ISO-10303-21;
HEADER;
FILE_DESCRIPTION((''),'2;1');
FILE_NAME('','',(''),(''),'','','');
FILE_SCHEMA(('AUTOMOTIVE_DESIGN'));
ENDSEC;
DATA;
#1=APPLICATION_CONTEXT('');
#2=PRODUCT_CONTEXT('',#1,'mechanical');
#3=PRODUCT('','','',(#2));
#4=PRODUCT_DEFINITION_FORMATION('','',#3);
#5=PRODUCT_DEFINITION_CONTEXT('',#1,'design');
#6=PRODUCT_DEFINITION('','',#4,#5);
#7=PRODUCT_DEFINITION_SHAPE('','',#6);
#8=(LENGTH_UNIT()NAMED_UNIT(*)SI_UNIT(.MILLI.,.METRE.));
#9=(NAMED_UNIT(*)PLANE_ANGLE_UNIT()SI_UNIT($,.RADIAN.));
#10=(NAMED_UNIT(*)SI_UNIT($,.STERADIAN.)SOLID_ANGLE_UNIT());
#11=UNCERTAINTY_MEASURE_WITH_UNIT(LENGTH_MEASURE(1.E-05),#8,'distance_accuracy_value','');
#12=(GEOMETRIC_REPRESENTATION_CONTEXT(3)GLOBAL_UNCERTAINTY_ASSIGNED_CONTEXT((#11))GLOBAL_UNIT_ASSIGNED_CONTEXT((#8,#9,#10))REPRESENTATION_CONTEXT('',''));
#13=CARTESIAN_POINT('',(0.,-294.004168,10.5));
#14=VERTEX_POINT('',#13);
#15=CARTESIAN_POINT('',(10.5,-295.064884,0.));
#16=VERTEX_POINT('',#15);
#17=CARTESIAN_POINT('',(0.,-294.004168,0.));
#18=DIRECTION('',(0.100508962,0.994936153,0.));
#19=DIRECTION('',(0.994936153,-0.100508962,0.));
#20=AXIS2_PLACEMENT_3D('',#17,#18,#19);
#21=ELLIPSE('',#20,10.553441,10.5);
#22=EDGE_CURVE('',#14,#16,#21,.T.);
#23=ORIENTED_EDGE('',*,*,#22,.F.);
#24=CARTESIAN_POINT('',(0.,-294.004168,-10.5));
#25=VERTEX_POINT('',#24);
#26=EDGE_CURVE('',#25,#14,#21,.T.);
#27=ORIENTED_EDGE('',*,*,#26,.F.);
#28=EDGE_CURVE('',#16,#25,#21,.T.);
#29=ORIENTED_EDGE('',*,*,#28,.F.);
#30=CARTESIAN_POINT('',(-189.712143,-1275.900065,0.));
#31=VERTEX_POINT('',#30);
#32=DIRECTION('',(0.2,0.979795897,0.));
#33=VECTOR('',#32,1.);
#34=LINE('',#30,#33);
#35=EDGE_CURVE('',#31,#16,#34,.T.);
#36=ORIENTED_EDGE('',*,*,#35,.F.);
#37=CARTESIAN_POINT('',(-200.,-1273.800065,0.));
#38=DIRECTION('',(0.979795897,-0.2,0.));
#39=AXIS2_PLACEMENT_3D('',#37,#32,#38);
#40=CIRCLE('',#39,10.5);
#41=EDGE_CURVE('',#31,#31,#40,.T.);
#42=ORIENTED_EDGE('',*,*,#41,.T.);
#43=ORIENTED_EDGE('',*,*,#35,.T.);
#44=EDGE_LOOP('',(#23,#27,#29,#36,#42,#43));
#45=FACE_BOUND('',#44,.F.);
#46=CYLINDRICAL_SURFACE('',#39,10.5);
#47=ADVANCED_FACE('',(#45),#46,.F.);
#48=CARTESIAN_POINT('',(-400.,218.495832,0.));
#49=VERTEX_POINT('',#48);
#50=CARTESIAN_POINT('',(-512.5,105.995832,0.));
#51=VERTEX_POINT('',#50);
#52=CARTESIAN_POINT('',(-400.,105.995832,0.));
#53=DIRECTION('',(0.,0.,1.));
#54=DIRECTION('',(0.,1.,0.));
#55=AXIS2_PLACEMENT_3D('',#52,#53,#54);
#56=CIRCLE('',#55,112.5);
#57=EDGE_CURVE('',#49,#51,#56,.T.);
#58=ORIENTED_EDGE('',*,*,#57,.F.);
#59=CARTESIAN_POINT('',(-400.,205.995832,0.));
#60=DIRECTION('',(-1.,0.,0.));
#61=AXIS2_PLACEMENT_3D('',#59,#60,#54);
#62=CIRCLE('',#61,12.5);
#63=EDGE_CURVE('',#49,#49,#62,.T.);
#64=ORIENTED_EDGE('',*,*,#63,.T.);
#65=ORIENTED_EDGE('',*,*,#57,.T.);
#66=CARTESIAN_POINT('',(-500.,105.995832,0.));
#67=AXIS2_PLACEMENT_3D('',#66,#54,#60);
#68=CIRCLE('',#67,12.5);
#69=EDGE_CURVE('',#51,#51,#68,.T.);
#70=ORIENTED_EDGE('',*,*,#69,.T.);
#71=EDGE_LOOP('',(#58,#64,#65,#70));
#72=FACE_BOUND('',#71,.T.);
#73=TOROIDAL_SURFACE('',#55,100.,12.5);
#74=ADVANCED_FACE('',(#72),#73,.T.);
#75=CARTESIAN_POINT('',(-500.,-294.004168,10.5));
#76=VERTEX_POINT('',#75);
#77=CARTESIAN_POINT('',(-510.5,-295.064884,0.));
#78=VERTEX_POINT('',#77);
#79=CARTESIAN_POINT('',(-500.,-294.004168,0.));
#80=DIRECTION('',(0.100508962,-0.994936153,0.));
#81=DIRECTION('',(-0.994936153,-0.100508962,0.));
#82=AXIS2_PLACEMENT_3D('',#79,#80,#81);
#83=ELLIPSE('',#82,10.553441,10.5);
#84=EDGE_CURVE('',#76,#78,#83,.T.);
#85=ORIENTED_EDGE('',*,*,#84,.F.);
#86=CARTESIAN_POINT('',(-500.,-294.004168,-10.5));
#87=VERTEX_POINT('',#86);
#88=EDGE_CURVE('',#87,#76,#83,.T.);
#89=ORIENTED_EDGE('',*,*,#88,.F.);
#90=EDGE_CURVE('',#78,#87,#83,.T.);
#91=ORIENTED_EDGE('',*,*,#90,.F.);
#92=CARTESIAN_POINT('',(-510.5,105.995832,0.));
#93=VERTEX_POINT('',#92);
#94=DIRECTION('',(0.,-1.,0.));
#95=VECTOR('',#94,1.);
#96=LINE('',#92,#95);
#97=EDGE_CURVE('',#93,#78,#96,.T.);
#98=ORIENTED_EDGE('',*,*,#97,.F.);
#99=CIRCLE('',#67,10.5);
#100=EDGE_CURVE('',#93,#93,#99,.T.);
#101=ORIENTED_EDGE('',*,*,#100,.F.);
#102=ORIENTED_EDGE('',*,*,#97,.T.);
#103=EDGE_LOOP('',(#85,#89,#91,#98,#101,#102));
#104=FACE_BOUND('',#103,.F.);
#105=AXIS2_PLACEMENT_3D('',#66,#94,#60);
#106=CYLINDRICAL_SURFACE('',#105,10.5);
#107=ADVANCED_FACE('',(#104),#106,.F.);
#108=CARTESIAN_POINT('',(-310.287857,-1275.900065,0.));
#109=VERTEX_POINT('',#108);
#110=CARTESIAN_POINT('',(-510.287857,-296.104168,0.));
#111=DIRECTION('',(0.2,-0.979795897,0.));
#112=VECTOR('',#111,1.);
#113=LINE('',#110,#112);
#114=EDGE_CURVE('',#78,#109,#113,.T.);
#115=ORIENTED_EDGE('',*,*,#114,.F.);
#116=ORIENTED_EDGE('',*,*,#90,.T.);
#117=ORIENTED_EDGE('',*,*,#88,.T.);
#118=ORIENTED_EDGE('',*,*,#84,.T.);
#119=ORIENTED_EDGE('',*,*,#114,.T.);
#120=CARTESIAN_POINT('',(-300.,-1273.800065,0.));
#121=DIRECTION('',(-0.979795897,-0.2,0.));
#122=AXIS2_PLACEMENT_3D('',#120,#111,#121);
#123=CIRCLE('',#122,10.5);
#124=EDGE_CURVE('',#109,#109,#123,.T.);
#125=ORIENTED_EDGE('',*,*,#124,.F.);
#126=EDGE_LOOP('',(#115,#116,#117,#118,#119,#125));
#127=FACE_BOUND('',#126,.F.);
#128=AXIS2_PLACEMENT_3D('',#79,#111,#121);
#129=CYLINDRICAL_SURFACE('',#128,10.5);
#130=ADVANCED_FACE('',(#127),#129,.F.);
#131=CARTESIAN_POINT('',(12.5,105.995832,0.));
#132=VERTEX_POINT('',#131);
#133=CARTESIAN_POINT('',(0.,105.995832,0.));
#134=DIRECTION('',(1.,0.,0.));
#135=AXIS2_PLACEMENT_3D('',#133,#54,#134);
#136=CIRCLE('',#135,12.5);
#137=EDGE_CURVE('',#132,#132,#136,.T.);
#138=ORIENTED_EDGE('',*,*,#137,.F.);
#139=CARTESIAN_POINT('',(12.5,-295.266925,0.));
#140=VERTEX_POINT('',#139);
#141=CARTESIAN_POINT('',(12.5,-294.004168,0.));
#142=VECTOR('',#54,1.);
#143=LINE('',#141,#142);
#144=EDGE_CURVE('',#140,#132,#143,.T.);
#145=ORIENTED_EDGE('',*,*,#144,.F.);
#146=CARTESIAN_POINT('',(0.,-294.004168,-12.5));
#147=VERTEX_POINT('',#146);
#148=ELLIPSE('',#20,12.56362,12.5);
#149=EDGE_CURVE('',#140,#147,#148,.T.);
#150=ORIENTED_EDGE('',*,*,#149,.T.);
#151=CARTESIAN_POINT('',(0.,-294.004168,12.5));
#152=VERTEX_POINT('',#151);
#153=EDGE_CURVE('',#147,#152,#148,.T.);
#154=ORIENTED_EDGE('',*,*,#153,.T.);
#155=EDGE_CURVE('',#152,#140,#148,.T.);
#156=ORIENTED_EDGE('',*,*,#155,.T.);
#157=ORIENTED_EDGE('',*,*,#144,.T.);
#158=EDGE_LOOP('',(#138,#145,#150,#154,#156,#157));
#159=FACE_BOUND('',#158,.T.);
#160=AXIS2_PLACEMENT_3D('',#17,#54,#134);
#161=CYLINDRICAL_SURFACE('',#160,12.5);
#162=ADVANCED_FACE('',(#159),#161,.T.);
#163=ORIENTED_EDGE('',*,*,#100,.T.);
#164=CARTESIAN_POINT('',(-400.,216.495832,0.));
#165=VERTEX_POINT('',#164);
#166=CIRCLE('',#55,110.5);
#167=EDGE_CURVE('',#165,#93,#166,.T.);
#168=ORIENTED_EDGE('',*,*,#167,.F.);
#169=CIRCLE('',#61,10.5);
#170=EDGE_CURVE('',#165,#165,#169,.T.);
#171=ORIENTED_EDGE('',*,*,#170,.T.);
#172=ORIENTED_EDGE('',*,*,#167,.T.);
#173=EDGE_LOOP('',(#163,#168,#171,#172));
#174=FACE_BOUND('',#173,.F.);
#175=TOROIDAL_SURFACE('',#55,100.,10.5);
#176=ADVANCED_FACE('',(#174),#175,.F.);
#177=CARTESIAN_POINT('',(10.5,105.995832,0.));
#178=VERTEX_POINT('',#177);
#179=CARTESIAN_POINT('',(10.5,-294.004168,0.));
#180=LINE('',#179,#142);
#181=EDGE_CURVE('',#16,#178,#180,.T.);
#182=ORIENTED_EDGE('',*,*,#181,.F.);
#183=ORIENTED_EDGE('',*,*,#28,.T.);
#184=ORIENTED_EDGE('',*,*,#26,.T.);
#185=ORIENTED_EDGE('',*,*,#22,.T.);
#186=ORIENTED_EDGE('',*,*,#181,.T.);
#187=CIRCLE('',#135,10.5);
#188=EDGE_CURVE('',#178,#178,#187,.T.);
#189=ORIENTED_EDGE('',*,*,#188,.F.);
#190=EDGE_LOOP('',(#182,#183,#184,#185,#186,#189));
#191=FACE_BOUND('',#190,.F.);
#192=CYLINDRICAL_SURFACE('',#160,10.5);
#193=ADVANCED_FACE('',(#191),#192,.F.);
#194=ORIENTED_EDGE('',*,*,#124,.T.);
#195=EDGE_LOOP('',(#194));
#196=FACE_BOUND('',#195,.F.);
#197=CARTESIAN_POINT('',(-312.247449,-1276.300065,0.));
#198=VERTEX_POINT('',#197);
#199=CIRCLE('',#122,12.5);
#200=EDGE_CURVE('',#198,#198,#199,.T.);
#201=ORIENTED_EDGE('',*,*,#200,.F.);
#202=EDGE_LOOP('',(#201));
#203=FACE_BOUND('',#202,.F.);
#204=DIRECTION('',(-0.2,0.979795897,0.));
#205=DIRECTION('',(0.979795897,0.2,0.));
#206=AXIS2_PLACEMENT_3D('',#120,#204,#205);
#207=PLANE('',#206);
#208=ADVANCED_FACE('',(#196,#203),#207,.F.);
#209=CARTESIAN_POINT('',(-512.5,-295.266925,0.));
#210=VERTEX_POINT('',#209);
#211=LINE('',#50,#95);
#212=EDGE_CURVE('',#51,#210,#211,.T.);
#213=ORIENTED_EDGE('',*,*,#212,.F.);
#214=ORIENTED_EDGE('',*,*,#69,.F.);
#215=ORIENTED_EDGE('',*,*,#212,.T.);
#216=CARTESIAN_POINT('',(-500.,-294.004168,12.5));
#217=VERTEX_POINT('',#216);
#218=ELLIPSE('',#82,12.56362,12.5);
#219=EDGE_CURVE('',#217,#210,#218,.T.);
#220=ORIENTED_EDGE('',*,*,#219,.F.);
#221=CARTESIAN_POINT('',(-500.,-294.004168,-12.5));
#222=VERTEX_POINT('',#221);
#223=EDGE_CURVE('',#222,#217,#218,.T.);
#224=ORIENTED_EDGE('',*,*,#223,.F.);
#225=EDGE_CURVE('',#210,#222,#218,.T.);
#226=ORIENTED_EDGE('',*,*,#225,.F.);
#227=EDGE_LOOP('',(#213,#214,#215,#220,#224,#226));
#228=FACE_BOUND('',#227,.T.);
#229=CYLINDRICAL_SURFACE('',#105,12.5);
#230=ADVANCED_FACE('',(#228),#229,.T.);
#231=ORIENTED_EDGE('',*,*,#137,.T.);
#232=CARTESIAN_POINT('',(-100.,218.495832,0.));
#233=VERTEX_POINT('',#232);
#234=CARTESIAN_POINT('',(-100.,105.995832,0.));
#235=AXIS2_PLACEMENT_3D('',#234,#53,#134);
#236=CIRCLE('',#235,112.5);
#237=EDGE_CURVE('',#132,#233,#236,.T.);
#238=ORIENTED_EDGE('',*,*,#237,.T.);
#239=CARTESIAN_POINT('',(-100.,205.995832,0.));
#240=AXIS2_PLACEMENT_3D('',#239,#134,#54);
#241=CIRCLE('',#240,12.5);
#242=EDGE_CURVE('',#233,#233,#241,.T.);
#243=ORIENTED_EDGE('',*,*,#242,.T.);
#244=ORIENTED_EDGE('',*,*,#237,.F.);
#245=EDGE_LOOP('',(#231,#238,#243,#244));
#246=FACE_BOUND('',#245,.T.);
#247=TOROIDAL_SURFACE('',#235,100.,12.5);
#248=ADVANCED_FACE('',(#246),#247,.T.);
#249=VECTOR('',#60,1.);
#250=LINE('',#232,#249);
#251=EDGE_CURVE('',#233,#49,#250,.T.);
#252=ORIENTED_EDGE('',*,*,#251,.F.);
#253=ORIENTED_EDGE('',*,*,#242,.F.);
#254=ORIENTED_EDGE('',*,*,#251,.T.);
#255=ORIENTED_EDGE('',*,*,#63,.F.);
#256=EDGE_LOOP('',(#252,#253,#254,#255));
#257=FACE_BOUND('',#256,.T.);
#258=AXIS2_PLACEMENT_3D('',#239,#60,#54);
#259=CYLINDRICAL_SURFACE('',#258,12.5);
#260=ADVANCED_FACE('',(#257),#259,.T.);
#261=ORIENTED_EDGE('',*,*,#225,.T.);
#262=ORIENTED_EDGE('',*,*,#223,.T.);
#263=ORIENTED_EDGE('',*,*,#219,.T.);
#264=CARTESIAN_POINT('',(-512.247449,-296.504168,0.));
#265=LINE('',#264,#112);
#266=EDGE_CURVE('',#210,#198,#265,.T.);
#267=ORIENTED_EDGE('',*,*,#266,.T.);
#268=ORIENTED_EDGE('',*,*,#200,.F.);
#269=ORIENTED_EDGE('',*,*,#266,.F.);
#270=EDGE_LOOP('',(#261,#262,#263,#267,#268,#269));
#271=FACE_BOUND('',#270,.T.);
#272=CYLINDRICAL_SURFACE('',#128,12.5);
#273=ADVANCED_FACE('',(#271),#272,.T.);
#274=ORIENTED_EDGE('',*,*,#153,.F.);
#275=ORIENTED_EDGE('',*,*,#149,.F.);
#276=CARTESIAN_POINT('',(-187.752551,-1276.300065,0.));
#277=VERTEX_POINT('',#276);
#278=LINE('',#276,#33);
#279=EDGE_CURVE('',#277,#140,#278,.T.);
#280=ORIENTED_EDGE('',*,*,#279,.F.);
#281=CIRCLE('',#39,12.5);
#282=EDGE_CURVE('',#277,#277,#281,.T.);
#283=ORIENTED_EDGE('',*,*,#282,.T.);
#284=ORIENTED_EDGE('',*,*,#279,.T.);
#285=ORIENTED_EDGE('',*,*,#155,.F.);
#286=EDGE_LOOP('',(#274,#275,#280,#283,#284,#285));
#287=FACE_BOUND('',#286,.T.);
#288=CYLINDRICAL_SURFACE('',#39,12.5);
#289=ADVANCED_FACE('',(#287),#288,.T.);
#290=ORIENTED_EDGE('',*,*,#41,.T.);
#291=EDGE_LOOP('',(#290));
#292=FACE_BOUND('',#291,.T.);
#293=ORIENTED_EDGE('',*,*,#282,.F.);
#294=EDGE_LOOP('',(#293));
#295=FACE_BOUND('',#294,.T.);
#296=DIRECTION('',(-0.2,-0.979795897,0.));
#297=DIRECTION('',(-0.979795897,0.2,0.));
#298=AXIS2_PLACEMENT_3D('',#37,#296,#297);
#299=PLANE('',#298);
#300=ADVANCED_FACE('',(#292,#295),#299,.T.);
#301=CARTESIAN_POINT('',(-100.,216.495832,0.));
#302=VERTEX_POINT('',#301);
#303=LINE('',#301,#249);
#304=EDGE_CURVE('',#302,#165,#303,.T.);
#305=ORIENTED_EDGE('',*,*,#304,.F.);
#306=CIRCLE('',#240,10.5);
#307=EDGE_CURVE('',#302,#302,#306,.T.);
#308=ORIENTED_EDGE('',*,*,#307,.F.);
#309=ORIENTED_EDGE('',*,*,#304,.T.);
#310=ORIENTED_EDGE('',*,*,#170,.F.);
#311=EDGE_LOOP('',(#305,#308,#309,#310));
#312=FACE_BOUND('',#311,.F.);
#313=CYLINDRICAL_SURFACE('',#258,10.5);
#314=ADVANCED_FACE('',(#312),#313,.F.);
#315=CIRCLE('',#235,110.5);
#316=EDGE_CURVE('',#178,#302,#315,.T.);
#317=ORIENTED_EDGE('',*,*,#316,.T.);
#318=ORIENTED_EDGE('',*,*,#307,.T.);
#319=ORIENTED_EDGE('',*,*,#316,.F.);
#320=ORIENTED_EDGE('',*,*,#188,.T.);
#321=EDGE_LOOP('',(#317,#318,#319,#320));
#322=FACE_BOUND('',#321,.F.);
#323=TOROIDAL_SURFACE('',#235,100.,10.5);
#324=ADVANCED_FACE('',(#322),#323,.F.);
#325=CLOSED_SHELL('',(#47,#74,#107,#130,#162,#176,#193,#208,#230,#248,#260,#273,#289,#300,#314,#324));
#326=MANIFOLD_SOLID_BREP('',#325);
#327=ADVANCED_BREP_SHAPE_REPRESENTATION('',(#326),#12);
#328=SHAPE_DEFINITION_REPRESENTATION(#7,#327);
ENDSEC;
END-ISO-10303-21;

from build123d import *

# Parameters (mm, degrees)
F0_R   = 12.5
F0_R_2 = 10.5


with BuildPart() as f2:
    # F2: sweep along a path in F1
    with BuildLine(Plane.XY) as f2_path:
        Line((-200, -1273.8000652395), (0, -294.0041681262))
        Line((0, -294.0041681262), (0, 0))
        Line((0, 0), (0, 105.9958318738))
        ThreePointArc((0, 105.9958318738), (-29.2893218813, 176.7065099925), (-100, 205.9958318738))
        Line((-100, 205.9958318738), (-400, 205.9958318738))
        ThreePointArc((-400, 205.9958318738), (-470.7106781187, 176.7065099925), (-500, 105.9958318738))
        Line((-500, 105.9958318738), (-500, -294.0041681262))
        Line((-500, -294.0041681262), (-300, -1273.8000652395))
    # F0 (on Front) → F2 (sweep)
    with BuildSketch(Plane.XZ):
        Circle(F0_R)
        Circle(F0_R_2, mode=Mode.SUBTRACT)
    sweep(path=f2_path.line, transition=Transition.RIGHT)


solid = f2.part
